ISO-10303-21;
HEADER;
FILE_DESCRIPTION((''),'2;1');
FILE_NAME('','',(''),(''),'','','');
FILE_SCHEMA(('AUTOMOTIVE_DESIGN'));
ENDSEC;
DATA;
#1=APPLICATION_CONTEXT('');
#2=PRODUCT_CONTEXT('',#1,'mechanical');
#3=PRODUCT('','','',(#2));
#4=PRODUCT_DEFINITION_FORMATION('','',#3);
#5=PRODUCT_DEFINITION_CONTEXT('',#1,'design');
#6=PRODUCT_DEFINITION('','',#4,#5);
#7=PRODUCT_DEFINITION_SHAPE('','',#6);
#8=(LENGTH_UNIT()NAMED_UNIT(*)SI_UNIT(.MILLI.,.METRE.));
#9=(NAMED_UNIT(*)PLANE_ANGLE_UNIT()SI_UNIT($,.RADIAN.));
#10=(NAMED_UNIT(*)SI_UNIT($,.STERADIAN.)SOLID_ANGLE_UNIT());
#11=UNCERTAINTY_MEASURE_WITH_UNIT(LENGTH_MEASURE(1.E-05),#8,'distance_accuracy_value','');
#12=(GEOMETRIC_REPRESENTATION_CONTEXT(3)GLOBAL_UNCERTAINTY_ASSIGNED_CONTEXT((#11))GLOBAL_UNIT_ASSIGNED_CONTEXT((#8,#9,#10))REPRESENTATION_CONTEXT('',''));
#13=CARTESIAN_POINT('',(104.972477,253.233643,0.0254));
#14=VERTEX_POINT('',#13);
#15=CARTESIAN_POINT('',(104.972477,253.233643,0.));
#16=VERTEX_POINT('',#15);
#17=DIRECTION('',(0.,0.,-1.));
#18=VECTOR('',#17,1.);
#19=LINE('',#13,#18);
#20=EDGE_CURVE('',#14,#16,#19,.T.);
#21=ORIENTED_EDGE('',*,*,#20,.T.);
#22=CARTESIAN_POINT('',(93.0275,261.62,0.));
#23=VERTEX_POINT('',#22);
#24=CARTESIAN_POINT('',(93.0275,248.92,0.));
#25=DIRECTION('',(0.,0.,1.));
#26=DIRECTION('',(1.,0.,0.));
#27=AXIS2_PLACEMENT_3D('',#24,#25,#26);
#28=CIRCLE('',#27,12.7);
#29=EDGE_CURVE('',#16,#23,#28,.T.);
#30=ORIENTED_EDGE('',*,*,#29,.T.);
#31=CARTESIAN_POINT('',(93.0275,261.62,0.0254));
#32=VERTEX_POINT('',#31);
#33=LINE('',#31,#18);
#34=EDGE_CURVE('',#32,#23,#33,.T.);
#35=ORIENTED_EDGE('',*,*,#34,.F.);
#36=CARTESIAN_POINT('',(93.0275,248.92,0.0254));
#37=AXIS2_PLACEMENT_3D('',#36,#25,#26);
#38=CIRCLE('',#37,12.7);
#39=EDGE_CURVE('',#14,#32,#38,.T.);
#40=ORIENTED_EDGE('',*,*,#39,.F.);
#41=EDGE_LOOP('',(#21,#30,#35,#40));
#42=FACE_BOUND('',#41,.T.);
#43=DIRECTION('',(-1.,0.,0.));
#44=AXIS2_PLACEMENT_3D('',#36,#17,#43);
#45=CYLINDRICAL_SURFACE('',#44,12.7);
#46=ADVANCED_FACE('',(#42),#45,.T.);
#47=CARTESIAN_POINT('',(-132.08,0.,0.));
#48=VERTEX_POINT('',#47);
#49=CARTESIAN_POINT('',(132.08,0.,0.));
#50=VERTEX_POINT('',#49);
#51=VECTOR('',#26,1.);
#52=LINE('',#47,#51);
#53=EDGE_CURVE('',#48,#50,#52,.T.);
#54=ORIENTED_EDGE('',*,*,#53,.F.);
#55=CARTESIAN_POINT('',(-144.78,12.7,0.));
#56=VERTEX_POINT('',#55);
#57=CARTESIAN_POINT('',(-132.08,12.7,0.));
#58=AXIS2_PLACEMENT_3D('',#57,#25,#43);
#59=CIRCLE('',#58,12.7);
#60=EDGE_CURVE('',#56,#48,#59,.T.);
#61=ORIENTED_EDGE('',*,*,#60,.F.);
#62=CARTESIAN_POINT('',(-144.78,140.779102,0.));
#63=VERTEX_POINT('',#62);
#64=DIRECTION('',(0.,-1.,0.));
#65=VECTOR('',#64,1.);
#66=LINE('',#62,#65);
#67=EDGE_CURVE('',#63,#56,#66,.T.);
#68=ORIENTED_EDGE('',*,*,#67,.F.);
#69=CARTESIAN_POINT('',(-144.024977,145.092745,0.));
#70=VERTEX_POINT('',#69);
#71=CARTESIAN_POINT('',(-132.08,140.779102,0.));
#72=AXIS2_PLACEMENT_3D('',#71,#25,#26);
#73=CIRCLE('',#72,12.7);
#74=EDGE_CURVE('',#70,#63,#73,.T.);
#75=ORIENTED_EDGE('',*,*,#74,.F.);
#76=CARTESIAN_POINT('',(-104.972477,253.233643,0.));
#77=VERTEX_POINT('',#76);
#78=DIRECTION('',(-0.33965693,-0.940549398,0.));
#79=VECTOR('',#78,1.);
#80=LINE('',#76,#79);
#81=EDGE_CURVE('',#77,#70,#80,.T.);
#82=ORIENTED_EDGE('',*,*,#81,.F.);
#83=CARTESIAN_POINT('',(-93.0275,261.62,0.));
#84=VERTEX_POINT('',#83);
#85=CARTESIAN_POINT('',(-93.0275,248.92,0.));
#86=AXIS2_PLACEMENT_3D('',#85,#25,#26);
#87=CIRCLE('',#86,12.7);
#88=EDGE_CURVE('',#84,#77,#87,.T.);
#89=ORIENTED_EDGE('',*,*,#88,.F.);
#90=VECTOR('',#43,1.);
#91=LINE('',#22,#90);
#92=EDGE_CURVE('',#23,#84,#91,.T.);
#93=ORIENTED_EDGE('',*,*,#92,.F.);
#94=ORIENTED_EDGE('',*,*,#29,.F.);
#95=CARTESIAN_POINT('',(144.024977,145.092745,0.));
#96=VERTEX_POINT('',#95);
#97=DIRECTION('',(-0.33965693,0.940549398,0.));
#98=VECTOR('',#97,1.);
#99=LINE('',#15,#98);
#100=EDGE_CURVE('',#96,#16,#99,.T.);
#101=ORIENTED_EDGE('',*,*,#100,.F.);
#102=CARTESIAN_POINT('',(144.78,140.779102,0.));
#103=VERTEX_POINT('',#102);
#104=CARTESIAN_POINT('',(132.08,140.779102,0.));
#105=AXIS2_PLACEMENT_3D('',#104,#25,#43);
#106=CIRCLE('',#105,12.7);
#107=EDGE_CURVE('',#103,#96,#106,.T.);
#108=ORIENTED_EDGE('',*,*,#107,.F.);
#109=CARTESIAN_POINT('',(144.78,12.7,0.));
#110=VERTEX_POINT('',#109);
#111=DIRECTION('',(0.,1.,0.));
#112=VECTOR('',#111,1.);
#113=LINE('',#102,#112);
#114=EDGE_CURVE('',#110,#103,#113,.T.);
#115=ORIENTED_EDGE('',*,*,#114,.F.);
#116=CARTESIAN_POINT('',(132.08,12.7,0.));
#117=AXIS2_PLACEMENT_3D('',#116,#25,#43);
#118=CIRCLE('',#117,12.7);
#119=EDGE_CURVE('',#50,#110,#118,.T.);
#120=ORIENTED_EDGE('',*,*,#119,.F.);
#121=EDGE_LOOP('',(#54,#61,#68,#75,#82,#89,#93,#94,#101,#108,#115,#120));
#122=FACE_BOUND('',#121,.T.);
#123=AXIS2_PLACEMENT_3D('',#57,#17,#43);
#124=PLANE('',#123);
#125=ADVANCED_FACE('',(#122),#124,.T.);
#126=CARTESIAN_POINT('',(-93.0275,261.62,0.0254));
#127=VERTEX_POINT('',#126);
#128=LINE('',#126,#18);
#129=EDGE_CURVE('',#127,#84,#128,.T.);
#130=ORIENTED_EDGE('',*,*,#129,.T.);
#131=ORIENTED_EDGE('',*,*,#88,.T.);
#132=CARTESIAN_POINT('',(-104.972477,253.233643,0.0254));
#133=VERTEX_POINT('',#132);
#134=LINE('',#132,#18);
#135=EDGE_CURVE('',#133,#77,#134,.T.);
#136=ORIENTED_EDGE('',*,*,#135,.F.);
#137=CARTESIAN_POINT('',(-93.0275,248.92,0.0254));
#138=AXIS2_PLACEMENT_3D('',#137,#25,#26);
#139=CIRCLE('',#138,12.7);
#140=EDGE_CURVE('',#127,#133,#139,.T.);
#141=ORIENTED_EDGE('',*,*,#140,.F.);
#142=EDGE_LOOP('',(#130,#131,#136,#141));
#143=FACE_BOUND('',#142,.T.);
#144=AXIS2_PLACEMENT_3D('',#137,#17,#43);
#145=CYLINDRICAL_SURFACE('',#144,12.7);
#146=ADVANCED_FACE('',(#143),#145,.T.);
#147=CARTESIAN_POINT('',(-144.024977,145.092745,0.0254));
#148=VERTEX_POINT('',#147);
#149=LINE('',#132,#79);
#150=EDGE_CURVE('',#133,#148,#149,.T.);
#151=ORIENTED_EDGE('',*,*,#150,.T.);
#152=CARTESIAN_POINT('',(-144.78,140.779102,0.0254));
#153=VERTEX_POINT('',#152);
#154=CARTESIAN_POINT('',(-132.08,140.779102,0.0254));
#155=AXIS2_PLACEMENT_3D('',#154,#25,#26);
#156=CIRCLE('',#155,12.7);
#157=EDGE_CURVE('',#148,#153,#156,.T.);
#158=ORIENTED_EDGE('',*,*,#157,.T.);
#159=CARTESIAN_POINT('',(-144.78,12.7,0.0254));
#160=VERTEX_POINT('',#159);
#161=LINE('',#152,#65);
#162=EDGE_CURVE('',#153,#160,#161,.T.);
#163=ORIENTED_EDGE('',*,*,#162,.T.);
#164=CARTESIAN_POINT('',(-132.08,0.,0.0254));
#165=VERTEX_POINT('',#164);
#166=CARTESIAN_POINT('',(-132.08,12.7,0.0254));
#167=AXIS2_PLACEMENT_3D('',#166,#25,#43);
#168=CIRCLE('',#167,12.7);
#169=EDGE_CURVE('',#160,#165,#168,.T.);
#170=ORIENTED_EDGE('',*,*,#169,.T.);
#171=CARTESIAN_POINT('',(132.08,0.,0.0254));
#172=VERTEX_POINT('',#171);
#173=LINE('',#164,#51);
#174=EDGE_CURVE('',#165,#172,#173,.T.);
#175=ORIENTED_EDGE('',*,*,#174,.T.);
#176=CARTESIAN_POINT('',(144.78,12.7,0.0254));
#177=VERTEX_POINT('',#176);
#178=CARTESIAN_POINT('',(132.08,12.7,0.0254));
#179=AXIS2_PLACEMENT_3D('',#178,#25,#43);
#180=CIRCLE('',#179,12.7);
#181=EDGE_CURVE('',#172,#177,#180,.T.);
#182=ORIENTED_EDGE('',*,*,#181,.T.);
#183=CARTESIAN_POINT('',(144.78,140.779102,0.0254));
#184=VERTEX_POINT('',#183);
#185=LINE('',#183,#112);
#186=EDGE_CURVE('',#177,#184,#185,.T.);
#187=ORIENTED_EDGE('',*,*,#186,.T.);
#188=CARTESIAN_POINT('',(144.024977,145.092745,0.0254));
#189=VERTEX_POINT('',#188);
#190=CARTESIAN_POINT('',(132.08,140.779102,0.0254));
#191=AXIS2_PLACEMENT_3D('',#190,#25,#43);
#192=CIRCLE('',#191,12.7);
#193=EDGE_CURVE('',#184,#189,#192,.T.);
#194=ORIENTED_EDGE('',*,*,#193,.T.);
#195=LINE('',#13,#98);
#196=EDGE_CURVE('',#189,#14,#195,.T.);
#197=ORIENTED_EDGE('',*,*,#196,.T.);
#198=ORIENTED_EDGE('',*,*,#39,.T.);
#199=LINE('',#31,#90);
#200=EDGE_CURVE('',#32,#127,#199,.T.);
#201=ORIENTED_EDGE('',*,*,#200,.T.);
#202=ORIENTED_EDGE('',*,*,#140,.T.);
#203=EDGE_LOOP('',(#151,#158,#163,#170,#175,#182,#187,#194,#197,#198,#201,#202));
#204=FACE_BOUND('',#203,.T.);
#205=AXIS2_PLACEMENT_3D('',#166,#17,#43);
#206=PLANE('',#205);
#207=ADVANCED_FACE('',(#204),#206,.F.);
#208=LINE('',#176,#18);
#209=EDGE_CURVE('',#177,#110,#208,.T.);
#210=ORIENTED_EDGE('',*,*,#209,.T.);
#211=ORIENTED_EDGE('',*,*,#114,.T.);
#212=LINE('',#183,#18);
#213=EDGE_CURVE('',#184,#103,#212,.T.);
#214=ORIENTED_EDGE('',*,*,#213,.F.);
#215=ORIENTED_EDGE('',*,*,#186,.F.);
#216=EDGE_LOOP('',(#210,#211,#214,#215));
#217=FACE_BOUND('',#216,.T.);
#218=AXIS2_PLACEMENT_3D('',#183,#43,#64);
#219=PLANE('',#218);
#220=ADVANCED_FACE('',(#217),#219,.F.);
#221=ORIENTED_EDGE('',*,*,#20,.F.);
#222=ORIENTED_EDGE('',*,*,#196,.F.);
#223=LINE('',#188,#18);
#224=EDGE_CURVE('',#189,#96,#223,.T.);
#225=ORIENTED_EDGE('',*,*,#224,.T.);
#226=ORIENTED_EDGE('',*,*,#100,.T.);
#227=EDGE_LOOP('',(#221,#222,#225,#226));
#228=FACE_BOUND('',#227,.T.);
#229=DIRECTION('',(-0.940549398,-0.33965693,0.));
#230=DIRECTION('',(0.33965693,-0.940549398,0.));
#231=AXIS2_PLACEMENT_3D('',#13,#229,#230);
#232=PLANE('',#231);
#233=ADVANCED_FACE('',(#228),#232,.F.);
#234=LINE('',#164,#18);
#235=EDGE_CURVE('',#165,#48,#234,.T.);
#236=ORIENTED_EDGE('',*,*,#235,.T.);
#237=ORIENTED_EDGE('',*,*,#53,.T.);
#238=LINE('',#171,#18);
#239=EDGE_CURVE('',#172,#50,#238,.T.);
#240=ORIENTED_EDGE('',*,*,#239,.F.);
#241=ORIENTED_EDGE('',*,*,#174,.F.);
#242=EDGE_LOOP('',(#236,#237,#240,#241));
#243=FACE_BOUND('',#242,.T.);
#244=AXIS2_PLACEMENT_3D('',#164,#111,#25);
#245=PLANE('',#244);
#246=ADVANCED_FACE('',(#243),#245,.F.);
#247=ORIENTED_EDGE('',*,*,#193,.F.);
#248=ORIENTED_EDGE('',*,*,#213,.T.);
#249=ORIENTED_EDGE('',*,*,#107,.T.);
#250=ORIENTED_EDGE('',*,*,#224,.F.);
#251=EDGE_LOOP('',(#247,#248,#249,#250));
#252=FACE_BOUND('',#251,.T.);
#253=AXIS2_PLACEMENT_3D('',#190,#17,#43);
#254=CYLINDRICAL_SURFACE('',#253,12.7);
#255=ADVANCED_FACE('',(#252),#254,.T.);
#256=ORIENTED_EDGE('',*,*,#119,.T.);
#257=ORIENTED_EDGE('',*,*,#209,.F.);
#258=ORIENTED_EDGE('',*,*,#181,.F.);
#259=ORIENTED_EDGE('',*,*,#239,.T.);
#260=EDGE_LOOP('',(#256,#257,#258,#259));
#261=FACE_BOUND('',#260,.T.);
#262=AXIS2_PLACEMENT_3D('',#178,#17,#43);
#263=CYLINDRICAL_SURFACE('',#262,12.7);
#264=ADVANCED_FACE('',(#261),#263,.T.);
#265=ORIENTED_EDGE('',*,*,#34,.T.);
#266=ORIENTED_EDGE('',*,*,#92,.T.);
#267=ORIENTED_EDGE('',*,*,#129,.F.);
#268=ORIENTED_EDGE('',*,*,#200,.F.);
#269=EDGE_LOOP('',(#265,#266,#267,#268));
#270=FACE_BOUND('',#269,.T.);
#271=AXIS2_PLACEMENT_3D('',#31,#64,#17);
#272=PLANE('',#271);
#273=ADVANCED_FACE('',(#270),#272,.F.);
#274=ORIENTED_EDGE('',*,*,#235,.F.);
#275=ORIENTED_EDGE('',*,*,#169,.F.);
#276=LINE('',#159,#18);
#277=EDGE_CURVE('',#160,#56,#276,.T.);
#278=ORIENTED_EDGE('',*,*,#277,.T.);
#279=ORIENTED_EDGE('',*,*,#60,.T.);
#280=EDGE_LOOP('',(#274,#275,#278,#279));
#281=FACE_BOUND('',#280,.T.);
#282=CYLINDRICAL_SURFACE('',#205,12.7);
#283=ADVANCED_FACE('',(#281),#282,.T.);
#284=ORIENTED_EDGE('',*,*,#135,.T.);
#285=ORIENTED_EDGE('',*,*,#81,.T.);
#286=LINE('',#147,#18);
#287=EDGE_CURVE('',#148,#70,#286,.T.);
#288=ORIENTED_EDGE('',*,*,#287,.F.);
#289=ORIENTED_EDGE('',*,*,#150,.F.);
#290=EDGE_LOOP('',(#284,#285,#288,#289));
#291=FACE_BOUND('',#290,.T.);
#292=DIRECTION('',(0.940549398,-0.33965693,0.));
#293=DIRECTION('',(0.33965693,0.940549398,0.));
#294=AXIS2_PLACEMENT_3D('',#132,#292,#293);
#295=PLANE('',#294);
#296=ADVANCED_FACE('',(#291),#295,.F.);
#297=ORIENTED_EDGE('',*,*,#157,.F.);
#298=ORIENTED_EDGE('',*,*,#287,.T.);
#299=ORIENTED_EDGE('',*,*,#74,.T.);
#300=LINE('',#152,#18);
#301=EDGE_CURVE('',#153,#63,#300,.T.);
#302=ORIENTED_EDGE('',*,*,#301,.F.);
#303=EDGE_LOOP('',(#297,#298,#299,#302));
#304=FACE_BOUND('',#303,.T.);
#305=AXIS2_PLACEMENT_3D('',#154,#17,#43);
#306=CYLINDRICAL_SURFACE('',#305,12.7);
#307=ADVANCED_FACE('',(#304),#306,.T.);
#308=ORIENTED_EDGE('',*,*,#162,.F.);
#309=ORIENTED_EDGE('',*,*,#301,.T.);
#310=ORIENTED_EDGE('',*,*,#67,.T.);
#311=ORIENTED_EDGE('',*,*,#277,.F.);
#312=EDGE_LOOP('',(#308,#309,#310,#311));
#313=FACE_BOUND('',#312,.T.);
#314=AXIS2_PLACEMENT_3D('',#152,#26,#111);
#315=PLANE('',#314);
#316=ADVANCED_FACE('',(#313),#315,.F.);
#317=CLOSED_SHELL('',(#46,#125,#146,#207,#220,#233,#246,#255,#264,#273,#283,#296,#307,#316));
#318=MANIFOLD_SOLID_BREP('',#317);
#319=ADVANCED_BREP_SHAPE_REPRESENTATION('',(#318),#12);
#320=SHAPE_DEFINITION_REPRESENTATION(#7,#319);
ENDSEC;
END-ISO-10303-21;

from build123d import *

# Parameters (mm, degrees)
BOSS_EXTRUDE1_DEPTH = 0.0254


with BuildPart() as part:
    # Sketch1 → Boss-Extrude1 (new body)
    with BuildSketch(Plane.XY):
        with BuildLine():
            Line((-132.08, 0), (132.08, 0))
            ThreePointArc((132.08, 0), (141.060256121, 3.719743879), (144.78, 12.7))
            Line((144.78, 12.7), (144.78, 140.779102188))
            ThreePointArc((144.78, 140.779102188), (144.58982039, 142.968712611), (144.024977353, 145.092745199))
            Line((144.024977353, 145.092745199), (104.972477353, 253.233643011))
            ThreePointArc((104.972477353, 253.233643011), (100.324990451, 259.314067208), (93.0275, 261.62))
            Line((93.0275, 261.62), (-93.0275, 261.62))
            ThreePointArc((-93.0275, 261.62), (-100.324990451, 259.314067208), (-104.972477353, 253.233643011))
            Line((-104.972477353, 253.233643011), (-144.024977353, 145.092745199))
            ThreePointArc((-144.024977353, 145.092745199), (-144.58982039, 142.968712611), (-144.78, 140.779102188))
            Line((-144.78, 140.779102188), (-144.78, 12.7))
            ThreePointArc((-144.78, 12.7), (-141.060256121, 3.719743879), (-132.08, 0))
        make_face()
    extrude(amount=BOSS_EXTRUDE1_DEPTH)


solid = part.part
